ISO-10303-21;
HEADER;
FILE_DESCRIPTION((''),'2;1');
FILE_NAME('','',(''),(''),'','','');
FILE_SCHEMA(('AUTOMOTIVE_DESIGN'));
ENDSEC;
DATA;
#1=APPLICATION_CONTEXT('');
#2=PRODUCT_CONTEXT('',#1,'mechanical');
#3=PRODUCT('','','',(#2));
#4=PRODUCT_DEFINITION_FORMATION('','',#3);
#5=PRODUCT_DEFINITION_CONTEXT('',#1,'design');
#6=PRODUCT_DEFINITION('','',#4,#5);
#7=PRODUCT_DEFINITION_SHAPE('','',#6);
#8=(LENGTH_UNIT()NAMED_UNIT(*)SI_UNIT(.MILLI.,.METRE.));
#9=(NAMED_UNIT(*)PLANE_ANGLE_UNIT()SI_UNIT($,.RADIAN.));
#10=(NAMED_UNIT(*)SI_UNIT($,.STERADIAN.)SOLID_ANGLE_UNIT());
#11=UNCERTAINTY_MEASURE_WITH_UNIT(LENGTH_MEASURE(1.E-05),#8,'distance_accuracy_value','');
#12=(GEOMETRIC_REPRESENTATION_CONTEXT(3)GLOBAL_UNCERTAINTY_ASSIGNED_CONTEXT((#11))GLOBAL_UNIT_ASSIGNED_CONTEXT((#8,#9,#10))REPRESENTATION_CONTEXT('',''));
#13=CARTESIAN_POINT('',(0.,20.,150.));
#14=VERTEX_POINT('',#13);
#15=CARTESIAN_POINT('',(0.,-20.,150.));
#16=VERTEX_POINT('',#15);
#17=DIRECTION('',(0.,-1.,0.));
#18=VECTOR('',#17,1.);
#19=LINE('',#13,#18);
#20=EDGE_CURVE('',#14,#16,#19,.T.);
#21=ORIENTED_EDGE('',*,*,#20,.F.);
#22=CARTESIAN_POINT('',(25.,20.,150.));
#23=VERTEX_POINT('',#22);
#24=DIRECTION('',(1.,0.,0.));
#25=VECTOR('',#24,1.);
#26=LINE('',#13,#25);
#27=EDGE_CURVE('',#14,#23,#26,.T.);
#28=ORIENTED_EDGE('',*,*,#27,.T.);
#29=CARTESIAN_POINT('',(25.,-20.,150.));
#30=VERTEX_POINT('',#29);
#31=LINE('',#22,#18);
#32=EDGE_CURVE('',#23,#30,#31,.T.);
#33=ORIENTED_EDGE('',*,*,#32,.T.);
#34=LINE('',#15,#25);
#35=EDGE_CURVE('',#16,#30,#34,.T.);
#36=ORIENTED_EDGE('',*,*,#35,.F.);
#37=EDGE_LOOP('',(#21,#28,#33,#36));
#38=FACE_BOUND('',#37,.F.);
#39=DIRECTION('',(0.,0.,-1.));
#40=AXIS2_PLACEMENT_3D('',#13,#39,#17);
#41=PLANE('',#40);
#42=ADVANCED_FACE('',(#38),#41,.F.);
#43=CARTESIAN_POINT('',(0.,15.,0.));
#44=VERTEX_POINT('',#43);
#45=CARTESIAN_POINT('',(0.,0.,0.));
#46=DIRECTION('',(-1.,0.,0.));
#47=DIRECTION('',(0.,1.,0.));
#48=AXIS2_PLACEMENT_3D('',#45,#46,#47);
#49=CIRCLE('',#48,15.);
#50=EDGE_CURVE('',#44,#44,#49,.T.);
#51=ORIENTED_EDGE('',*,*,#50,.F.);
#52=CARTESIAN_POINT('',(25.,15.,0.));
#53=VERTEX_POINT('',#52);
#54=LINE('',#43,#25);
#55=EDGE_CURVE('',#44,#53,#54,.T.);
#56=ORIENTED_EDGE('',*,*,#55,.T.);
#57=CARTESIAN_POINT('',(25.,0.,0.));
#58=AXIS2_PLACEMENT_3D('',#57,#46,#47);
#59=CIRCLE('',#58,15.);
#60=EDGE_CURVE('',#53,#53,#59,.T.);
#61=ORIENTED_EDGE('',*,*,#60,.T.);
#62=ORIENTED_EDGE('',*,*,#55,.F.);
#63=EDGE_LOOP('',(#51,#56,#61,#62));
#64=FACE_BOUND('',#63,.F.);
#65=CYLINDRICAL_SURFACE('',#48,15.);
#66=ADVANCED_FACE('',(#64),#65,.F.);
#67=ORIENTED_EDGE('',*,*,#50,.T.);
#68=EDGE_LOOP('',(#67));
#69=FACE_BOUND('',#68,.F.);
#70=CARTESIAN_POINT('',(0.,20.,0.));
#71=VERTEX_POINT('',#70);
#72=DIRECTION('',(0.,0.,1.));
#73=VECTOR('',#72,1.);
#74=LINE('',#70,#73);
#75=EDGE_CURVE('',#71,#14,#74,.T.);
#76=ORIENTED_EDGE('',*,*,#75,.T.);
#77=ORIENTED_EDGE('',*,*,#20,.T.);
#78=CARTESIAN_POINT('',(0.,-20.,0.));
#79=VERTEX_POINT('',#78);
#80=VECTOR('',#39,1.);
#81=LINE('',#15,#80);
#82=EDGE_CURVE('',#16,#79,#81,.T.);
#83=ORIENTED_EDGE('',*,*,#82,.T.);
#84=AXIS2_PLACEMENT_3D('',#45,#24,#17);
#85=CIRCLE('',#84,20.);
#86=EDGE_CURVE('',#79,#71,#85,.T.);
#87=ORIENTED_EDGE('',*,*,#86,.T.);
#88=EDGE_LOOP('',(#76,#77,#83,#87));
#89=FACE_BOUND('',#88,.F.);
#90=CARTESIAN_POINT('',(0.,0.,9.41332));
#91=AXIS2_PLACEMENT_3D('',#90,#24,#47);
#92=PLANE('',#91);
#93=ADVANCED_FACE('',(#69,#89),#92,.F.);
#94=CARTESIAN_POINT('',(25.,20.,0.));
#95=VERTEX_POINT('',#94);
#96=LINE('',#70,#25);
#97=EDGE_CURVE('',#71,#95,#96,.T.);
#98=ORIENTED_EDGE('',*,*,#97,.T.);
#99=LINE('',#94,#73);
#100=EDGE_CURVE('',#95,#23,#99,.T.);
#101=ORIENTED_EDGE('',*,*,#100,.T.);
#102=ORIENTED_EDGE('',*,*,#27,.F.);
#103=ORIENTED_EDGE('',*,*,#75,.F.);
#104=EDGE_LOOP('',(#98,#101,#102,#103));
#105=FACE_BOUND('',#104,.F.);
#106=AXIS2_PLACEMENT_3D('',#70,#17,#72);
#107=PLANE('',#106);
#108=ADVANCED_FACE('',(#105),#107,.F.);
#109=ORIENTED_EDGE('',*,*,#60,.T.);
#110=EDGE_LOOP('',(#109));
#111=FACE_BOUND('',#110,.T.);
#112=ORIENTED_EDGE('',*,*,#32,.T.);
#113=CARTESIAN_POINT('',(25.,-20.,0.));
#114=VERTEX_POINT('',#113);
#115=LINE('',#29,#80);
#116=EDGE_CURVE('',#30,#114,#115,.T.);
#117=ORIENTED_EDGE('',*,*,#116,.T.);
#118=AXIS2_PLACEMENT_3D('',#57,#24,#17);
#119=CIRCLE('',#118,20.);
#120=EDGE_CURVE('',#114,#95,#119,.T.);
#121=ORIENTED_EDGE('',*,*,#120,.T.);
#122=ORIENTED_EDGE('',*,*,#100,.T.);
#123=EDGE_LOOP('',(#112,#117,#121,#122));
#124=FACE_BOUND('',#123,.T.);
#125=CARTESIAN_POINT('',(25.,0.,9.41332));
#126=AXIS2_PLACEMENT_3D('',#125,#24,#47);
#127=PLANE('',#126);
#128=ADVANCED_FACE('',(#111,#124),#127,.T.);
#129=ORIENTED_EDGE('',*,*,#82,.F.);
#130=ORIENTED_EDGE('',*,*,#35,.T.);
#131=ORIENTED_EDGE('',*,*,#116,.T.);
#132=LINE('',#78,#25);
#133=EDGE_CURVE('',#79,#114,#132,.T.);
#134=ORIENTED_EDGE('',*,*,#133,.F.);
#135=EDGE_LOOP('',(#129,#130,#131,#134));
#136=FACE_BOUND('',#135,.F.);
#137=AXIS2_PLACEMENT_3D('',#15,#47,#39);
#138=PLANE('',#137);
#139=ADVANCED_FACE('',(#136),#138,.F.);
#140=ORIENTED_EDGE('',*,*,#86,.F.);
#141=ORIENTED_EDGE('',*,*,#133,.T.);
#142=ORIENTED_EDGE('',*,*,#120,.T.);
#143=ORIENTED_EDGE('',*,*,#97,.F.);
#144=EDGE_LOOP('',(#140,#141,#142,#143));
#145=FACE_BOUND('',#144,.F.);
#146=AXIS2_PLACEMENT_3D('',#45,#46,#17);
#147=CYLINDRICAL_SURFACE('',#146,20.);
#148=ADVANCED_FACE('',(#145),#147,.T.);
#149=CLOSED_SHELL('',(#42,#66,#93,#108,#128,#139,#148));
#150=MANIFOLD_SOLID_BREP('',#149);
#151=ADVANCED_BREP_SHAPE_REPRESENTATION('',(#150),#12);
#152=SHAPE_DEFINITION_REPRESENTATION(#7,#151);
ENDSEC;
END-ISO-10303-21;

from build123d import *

# Parameters (mm, degrees)
F1_DEPTH = 25


with BuildPart() as f1:
    # F0 (on Right) → F1 (new body)
    with BuildSketch(Plane.YZ):
        with BuildLine():
            ThreePointArc((-15, 0), (0, 15), (15, 0))
            Line((15, 0), (20, 0))
            ThreePointArc((20, 0), (0, 20), (-20, 0))
            Line((-20, 0), (-15, 0))
        make_face()
        with BuildLine():
            Line((20, 0), (15, 0))
            ThreePointArc((15, 0), (0, -15), (-15, 0))
            Line((-15, 0), (-20, 0))
            ThreePointArc((-20, 0), (0, -20), (20, 0))
        make_face()
        with BuildLine():
            ThreePointArc((-20, 0), (0, 20), (20, 0))
            Line((20, 0), (20, 150))
            Line((20, 150), (-20, 150))
            Line((-20, 150), (-20, 0))
        make_face()
    extrude(amount=F1_DEPTH)


solid = f1.part
